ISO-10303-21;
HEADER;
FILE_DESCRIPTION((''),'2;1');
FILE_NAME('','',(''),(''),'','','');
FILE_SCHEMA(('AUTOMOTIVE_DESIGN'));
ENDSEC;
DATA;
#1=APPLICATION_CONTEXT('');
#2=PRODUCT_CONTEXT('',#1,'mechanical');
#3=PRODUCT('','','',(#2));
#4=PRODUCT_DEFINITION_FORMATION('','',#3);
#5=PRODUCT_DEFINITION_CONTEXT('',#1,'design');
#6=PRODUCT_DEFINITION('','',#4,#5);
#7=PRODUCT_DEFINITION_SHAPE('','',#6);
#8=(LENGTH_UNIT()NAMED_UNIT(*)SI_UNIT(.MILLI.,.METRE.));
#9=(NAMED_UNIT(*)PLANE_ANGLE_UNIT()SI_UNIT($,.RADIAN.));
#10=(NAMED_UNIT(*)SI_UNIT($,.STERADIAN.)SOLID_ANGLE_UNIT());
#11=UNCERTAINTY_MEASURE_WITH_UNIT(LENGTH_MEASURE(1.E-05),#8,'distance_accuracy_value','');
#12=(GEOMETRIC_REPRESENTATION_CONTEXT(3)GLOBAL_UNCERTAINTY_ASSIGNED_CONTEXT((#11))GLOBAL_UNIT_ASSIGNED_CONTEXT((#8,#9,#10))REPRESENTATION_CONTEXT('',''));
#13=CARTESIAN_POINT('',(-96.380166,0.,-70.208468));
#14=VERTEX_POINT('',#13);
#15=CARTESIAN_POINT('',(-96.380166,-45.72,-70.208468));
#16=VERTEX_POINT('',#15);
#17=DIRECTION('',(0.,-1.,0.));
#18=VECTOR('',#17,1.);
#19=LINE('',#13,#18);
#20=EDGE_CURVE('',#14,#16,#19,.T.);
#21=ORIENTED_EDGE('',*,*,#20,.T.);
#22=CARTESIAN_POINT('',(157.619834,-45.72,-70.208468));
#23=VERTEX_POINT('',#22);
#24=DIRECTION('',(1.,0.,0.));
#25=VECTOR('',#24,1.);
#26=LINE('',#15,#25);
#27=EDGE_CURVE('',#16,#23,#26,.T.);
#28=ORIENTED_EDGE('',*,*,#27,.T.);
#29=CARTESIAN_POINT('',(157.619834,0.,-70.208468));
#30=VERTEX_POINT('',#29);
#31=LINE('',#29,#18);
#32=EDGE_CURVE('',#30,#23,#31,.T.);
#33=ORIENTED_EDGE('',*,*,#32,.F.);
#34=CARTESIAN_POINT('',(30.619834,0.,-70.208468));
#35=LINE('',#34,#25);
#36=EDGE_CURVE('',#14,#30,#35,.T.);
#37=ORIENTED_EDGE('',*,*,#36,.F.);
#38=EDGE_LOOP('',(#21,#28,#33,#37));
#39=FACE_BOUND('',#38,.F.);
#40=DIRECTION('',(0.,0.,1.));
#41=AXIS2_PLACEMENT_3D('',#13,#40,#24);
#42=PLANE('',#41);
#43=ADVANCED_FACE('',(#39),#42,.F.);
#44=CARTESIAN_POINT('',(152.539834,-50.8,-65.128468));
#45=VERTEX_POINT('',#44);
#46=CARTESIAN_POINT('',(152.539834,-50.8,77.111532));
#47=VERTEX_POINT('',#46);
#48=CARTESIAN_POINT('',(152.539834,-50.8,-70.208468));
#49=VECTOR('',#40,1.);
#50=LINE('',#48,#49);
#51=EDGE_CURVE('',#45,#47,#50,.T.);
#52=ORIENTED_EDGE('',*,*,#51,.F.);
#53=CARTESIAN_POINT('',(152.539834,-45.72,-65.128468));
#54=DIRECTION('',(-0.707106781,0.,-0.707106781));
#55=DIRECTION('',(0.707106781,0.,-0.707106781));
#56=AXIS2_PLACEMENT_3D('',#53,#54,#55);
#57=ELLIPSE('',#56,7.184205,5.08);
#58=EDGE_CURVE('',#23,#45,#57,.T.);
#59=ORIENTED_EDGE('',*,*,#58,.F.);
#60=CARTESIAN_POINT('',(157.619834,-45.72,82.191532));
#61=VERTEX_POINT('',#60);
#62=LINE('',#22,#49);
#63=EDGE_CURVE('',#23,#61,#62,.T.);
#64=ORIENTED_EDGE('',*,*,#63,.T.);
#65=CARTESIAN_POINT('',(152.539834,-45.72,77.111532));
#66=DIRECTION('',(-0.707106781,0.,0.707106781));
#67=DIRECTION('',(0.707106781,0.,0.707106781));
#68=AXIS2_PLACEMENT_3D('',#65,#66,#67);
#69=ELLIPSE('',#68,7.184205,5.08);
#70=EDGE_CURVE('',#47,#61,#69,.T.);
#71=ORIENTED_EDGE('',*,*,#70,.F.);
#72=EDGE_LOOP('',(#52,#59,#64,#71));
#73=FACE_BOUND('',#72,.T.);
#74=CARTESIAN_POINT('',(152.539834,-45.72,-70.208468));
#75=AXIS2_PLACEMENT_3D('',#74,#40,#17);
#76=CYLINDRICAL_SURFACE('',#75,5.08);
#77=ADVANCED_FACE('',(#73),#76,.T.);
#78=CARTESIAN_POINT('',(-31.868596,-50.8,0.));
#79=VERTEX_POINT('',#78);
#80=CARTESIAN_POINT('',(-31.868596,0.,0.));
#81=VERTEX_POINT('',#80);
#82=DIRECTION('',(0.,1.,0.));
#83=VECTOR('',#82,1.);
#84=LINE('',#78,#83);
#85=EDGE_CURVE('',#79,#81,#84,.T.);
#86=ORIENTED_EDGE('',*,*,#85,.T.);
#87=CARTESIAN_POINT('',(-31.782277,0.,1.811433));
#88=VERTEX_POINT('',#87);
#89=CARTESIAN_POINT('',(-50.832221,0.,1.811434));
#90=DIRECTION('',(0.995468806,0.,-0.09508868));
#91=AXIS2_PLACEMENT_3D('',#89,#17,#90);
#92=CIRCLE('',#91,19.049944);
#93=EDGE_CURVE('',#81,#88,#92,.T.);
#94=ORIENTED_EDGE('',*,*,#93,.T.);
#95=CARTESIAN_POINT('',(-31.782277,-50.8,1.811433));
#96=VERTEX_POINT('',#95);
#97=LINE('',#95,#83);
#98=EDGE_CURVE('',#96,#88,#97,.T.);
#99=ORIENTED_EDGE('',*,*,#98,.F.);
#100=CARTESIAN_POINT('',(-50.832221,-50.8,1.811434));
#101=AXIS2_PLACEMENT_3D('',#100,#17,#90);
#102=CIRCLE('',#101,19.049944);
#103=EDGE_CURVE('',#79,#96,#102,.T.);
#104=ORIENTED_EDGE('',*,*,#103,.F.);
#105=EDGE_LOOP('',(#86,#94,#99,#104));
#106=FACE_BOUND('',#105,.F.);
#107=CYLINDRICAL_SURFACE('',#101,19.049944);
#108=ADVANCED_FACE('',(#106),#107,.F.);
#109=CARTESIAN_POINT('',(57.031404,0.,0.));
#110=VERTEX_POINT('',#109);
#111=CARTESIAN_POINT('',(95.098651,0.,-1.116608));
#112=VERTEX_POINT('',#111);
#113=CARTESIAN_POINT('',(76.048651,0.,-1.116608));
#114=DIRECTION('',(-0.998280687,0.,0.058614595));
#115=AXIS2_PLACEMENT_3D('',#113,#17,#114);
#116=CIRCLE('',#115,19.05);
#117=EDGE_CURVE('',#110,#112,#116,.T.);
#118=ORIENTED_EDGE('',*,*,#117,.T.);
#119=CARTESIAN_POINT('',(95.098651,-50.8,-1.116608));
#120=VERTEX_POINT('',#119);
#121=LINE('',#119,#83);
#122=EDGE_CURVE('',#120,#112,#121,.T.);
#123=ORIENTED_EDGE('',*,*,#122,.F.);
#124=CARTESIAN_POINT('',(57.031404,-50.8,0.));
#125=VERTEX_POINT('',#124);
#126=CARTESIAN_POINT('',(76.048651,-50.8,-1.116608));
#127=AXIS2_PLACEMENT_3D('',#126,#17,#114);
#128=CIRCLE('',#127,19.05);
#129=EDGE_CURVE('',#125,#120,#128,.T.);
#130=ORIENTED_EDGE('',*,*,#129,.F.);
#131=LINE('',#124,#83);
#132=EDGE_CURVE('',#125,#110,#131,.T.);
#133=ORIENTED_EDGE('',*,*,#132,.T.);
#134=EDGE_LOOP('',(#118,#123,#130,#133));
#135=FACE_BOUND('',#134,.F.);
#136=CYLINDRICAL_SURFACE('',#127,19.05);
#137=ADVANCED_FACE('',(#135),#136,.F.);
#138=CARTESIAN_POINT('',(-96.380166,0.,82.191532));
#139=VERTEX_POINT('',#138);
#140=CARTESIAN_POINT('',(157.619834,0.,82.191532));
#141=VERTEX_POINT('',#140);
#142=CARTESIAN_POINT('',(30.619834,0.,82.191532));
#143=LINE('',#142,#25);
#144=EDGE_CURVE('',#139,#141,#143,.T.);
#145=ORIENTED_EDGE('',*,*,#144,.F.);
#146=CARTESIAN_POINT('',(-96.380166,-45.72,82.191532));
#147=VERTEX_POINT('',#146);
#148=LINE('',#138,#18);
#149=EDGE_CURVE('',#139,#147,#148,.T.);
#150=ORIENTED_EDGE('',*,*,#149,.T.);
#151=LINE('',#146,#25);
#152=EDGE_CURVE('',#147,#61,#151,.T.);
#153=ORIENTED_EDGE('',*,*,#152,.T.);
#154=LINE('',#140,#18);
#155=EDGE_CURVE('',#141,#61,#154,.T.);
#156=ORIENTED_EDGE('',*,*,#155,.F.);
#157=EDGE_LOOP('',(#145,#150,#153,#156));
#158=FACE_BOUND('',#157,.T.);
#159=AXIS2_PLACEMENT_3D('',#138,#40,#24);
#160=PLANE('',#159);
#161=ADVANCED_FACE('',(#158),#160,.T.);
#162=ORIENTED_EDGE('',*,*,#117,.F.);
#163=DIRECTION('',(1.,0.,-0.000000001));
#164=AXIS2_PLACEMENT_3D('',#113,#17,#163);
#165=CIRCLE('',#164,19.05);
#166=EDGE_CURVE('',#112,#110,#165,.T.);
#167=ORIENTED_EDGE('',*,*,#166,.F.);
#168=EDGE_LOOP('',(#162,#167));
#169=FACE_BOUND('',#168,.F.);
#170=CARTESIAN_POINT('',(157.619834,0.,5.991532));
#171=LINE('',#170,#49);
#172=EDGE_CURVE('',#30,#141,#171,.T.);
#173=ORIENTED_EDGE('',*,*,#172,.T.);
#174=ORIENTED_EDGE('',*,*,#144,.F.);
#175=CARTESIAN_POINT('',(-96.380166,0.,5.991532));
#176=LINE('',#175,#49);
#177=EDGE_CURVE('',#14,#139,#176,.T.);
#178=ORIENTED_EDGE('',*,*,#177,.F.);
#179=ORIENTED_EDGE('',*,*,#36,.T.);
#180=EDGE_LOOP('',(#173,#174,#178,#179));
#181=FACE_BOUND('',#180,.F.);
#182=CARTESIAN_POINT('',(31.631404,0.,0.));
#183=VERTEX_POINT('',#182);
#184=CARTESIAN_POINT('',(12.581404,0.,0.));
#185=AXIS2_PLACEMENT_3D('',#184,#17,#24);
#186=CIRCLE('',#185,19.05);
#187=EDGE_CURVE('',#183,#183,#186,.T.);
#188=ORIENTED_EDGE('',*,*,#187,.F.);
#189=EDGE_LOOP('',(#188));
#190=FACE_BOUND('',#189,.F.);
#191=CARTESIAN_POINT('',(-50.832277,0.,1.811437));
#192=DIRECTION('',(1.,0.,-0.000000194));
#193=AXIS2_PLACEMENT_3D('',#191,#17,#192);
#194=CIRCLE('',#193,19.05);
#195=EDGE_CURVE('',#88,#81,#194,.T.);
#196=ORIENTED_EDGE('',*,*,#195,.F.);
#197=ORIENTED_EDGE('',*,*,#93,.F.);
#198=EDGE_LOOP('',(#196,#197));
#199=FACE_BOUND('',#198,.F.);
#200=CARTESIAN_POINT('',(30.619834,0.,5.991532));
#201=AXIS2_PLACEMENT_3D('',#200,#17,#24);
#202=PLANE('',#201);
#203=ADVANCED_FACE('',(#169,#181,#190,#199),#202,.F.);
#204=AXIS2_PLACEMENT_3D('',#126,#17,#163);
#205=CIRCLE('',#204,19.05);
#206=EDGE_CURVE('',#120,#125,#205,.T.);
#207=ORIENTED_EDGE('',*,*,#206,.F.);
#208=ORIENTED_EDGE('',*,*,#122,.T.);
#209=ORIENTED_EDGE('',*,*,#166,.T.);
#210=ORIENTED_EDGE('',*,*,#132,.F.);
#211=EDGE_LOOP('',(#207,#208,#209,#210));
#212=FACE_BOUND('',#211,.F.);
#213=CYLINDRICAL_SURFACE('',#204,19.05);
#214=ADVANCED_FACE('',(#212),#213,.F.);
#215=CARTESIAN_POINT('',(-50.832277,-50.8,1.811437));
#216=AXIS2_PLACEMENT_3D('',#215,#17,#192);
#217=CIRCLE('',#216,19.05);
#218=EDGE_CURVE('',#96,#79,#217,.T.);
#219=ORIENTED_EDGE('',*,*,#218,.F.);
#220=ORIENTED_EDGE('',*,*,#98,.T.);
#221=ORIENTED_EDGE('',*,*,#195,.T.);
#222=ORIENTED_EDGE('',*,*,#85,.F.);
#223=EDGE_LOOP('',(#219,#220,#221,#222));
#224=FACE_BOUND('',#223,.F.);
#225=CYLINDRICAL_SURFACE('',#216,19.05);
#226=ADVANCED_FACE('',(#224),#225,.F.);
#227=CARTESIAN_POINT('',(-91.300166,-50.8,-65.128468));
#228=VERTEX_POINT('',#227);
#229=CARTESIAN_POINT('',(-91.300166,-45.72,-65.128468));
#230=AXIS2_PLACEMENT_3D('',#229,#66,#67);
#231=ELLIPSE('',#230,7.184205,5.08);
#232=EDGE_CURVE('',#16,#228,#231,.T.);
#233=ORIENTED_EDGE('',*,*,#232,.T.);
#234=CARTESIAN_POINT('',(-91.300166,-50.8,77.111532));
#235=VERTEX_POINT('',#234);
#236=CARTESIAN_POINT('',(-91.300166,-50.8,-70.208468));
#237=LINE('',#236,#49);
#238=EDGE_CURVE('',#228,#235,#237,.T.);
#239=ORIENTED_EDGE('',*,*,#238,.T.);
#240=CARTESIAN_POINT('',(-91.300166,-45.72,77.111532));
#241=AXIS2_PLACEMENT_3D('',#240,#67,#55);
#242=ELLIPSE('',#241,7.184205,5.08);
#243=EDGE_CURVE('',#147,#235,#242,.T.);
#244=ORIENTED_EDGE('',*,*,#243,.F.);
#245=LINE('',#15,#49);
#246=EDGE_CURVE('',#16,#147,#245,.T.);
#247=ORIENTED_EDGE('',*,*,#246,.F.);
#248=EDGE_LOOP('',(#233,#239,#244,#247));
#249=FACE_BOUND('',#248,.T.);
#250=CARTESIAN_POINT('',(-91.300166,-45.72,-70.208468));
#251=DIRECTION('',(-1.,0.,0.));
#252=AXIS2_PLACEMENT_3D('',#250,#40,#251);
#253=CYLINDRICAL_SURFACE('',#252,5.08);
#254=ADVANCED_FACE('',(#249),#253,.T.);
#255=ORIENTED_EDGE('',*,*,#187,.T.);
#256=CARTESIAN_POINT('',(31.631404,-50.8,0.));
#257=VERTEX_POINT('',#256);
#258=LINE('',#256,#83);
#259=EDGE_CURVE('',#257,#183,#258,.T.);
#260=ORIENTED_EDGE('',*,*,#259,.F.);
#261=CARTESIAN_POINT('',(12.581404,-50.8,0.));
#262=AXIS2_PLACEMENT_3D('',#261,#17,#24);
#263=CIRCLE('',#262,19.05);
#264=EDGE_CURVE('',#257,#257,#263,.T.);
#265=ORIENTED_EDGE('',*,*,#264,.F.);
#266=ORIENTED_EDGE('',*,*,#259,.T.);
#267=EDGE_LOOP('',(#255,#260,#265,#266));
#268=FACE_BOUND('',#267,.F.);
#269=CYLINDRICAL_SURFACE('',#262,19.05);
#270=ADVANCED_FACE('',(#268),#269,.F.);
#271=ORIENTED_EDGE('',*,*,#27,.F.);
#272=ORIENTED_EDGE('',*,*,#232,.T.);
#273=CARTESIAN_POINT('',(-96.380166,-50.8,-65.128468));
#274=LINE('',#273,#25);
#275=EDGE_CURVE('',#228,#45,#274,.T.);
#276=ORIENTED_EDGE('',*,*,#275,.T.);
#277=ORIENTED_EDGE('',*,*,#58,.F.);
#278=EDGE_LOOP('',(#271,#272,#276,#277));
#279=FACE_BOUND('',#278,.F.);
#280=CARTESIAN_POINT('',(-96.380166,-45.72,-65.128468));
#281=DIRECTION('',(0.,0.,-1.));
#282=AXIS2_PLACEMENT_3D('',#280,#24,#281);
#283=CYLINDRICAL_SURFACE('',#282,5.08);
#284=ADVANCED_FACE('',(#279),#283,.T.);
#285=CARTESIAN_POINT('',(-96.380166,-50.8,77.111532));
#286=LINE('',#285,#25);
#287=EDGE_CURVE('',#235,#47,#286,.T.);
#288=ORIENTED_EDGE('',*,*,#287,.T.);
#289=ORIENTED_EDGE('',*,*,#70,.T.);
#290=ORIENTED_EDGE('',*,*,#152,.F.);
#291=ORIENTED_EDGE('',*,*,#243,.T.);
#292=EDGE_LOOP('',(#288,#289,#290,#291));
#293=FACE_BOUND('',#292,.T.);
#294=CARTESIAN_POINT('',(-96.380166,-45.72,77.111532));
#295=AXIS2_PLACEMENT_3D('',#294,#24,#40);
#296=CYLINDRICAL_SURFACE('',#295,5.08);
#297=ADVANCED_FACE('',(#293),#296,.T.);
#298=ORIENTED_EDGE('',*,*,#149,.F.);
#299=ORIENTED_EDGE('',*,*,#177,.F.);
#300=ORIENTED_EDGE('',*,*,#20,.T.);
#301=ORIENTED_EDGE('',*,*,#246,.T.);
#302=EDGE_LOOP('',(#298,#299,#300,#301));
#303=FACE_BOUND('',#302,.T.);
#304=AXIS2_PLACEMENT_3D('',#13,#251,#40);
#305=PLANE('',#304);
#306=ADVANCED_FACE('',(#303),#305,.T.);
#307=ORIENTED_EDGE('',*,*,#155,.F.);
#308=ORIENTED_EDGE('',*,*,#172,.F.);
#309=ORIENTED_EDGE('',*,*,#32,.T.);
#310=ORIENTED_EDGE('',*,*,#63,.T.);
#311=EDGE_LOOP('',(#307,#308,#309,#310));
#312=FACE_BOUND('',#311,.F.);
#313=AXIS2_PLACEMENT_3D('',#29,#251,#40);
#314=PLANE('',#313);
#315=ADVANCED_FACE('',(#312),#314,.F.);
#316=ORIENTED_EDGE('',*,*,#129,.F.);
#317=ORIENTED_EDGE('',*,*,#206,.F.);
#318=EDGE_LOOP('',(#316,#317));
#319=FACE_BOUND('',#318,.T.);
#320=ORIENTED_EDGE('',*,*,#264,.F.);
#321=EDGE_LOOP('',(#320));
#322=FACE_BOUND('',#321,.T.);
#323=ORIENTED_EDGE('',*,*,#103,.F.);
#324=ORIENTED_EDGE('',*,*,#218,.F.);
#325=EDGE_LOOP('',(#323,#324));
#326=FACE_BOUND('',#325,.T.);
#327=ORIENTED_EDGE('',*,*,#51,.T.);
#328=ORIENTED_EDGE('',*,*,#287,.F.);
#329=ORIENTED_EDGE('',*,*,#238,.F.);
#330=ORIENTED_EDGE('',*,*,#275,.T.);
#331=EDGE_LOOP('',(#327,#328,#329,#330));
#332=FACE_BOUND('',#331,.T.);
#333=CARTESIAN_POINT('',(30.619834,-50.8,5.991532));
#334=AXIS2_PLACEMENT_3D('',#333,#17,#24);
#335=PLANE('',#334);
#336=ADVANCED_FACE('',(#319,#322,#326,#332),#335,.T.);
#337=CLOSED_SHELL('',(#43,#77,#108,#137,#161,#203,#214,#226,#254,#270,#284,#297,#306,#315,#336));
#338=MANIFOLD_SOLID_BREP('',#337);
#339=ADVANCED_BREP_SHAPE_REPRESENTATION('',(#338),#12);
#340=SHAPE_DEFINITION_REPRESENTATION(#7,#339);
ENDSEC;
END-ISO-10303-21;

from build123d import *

# Parameters (mm, degrees)
F0_W     = 254
F0_H     = 152.4
F1_DEPTH = 50.8
F3_DEPTH = 123.19
F4_R     = 5.08


with BuildPart() as f1:
    # F0 (on Front) → F1 (new body)
    with BuildSketch(Plane.XZ):
        with Locations((30.619834, 5.991532)):
            Rectangle(F0_W, F0_H)
    extrude(amount=F1_DEPTH)

    # F2 (on face) → F3 (cut)
    with BuildSketch(Plane.XZ.offset(50.8)):
        with BuildLine():
            ThreePointArc((-6.468596, 0), (12.581404, -19.05), (31.631404, 0))
            ThreePointArc((31.631404, 0), (12.581404, 19.05), (-6.468596, 0))
        make_face()
        with BuildLine():
            ThreePointArc((-31.782277, 1.811433), (-69.860685, 2.718177), (-31.868596, 0))
            ThreePointArc((-31.868596, 0), (-31.803869, 0.904689), (-31.782277, 1.811433))
        make_face()
        with BuildLine():
            ThreePointArc((95.098651, -1.116608), (76.607195, 17.925202), (57.031404, 0))
            ThreePointArc((57.031404, 0), (75.490107, -20.158418), (95.098651, -1.116608))
        make_face()
    extrude(amount=-F3_DEPTH, mode=Mode.SUBTRACT)

    # F4
    f4_edges = [f1.edges().sort_by_distance(p)[0] for p in [
        (30.619834, -50.8, -70.208468),
        (157.619834, -50.8, 5.991532),
        (30.619834, -50.8, 82.191532),
        (-96.380166, -50.8, 5.991532),
    ]]
    fillet(f4_edges, radius=F4_R)


solid = f1.part
